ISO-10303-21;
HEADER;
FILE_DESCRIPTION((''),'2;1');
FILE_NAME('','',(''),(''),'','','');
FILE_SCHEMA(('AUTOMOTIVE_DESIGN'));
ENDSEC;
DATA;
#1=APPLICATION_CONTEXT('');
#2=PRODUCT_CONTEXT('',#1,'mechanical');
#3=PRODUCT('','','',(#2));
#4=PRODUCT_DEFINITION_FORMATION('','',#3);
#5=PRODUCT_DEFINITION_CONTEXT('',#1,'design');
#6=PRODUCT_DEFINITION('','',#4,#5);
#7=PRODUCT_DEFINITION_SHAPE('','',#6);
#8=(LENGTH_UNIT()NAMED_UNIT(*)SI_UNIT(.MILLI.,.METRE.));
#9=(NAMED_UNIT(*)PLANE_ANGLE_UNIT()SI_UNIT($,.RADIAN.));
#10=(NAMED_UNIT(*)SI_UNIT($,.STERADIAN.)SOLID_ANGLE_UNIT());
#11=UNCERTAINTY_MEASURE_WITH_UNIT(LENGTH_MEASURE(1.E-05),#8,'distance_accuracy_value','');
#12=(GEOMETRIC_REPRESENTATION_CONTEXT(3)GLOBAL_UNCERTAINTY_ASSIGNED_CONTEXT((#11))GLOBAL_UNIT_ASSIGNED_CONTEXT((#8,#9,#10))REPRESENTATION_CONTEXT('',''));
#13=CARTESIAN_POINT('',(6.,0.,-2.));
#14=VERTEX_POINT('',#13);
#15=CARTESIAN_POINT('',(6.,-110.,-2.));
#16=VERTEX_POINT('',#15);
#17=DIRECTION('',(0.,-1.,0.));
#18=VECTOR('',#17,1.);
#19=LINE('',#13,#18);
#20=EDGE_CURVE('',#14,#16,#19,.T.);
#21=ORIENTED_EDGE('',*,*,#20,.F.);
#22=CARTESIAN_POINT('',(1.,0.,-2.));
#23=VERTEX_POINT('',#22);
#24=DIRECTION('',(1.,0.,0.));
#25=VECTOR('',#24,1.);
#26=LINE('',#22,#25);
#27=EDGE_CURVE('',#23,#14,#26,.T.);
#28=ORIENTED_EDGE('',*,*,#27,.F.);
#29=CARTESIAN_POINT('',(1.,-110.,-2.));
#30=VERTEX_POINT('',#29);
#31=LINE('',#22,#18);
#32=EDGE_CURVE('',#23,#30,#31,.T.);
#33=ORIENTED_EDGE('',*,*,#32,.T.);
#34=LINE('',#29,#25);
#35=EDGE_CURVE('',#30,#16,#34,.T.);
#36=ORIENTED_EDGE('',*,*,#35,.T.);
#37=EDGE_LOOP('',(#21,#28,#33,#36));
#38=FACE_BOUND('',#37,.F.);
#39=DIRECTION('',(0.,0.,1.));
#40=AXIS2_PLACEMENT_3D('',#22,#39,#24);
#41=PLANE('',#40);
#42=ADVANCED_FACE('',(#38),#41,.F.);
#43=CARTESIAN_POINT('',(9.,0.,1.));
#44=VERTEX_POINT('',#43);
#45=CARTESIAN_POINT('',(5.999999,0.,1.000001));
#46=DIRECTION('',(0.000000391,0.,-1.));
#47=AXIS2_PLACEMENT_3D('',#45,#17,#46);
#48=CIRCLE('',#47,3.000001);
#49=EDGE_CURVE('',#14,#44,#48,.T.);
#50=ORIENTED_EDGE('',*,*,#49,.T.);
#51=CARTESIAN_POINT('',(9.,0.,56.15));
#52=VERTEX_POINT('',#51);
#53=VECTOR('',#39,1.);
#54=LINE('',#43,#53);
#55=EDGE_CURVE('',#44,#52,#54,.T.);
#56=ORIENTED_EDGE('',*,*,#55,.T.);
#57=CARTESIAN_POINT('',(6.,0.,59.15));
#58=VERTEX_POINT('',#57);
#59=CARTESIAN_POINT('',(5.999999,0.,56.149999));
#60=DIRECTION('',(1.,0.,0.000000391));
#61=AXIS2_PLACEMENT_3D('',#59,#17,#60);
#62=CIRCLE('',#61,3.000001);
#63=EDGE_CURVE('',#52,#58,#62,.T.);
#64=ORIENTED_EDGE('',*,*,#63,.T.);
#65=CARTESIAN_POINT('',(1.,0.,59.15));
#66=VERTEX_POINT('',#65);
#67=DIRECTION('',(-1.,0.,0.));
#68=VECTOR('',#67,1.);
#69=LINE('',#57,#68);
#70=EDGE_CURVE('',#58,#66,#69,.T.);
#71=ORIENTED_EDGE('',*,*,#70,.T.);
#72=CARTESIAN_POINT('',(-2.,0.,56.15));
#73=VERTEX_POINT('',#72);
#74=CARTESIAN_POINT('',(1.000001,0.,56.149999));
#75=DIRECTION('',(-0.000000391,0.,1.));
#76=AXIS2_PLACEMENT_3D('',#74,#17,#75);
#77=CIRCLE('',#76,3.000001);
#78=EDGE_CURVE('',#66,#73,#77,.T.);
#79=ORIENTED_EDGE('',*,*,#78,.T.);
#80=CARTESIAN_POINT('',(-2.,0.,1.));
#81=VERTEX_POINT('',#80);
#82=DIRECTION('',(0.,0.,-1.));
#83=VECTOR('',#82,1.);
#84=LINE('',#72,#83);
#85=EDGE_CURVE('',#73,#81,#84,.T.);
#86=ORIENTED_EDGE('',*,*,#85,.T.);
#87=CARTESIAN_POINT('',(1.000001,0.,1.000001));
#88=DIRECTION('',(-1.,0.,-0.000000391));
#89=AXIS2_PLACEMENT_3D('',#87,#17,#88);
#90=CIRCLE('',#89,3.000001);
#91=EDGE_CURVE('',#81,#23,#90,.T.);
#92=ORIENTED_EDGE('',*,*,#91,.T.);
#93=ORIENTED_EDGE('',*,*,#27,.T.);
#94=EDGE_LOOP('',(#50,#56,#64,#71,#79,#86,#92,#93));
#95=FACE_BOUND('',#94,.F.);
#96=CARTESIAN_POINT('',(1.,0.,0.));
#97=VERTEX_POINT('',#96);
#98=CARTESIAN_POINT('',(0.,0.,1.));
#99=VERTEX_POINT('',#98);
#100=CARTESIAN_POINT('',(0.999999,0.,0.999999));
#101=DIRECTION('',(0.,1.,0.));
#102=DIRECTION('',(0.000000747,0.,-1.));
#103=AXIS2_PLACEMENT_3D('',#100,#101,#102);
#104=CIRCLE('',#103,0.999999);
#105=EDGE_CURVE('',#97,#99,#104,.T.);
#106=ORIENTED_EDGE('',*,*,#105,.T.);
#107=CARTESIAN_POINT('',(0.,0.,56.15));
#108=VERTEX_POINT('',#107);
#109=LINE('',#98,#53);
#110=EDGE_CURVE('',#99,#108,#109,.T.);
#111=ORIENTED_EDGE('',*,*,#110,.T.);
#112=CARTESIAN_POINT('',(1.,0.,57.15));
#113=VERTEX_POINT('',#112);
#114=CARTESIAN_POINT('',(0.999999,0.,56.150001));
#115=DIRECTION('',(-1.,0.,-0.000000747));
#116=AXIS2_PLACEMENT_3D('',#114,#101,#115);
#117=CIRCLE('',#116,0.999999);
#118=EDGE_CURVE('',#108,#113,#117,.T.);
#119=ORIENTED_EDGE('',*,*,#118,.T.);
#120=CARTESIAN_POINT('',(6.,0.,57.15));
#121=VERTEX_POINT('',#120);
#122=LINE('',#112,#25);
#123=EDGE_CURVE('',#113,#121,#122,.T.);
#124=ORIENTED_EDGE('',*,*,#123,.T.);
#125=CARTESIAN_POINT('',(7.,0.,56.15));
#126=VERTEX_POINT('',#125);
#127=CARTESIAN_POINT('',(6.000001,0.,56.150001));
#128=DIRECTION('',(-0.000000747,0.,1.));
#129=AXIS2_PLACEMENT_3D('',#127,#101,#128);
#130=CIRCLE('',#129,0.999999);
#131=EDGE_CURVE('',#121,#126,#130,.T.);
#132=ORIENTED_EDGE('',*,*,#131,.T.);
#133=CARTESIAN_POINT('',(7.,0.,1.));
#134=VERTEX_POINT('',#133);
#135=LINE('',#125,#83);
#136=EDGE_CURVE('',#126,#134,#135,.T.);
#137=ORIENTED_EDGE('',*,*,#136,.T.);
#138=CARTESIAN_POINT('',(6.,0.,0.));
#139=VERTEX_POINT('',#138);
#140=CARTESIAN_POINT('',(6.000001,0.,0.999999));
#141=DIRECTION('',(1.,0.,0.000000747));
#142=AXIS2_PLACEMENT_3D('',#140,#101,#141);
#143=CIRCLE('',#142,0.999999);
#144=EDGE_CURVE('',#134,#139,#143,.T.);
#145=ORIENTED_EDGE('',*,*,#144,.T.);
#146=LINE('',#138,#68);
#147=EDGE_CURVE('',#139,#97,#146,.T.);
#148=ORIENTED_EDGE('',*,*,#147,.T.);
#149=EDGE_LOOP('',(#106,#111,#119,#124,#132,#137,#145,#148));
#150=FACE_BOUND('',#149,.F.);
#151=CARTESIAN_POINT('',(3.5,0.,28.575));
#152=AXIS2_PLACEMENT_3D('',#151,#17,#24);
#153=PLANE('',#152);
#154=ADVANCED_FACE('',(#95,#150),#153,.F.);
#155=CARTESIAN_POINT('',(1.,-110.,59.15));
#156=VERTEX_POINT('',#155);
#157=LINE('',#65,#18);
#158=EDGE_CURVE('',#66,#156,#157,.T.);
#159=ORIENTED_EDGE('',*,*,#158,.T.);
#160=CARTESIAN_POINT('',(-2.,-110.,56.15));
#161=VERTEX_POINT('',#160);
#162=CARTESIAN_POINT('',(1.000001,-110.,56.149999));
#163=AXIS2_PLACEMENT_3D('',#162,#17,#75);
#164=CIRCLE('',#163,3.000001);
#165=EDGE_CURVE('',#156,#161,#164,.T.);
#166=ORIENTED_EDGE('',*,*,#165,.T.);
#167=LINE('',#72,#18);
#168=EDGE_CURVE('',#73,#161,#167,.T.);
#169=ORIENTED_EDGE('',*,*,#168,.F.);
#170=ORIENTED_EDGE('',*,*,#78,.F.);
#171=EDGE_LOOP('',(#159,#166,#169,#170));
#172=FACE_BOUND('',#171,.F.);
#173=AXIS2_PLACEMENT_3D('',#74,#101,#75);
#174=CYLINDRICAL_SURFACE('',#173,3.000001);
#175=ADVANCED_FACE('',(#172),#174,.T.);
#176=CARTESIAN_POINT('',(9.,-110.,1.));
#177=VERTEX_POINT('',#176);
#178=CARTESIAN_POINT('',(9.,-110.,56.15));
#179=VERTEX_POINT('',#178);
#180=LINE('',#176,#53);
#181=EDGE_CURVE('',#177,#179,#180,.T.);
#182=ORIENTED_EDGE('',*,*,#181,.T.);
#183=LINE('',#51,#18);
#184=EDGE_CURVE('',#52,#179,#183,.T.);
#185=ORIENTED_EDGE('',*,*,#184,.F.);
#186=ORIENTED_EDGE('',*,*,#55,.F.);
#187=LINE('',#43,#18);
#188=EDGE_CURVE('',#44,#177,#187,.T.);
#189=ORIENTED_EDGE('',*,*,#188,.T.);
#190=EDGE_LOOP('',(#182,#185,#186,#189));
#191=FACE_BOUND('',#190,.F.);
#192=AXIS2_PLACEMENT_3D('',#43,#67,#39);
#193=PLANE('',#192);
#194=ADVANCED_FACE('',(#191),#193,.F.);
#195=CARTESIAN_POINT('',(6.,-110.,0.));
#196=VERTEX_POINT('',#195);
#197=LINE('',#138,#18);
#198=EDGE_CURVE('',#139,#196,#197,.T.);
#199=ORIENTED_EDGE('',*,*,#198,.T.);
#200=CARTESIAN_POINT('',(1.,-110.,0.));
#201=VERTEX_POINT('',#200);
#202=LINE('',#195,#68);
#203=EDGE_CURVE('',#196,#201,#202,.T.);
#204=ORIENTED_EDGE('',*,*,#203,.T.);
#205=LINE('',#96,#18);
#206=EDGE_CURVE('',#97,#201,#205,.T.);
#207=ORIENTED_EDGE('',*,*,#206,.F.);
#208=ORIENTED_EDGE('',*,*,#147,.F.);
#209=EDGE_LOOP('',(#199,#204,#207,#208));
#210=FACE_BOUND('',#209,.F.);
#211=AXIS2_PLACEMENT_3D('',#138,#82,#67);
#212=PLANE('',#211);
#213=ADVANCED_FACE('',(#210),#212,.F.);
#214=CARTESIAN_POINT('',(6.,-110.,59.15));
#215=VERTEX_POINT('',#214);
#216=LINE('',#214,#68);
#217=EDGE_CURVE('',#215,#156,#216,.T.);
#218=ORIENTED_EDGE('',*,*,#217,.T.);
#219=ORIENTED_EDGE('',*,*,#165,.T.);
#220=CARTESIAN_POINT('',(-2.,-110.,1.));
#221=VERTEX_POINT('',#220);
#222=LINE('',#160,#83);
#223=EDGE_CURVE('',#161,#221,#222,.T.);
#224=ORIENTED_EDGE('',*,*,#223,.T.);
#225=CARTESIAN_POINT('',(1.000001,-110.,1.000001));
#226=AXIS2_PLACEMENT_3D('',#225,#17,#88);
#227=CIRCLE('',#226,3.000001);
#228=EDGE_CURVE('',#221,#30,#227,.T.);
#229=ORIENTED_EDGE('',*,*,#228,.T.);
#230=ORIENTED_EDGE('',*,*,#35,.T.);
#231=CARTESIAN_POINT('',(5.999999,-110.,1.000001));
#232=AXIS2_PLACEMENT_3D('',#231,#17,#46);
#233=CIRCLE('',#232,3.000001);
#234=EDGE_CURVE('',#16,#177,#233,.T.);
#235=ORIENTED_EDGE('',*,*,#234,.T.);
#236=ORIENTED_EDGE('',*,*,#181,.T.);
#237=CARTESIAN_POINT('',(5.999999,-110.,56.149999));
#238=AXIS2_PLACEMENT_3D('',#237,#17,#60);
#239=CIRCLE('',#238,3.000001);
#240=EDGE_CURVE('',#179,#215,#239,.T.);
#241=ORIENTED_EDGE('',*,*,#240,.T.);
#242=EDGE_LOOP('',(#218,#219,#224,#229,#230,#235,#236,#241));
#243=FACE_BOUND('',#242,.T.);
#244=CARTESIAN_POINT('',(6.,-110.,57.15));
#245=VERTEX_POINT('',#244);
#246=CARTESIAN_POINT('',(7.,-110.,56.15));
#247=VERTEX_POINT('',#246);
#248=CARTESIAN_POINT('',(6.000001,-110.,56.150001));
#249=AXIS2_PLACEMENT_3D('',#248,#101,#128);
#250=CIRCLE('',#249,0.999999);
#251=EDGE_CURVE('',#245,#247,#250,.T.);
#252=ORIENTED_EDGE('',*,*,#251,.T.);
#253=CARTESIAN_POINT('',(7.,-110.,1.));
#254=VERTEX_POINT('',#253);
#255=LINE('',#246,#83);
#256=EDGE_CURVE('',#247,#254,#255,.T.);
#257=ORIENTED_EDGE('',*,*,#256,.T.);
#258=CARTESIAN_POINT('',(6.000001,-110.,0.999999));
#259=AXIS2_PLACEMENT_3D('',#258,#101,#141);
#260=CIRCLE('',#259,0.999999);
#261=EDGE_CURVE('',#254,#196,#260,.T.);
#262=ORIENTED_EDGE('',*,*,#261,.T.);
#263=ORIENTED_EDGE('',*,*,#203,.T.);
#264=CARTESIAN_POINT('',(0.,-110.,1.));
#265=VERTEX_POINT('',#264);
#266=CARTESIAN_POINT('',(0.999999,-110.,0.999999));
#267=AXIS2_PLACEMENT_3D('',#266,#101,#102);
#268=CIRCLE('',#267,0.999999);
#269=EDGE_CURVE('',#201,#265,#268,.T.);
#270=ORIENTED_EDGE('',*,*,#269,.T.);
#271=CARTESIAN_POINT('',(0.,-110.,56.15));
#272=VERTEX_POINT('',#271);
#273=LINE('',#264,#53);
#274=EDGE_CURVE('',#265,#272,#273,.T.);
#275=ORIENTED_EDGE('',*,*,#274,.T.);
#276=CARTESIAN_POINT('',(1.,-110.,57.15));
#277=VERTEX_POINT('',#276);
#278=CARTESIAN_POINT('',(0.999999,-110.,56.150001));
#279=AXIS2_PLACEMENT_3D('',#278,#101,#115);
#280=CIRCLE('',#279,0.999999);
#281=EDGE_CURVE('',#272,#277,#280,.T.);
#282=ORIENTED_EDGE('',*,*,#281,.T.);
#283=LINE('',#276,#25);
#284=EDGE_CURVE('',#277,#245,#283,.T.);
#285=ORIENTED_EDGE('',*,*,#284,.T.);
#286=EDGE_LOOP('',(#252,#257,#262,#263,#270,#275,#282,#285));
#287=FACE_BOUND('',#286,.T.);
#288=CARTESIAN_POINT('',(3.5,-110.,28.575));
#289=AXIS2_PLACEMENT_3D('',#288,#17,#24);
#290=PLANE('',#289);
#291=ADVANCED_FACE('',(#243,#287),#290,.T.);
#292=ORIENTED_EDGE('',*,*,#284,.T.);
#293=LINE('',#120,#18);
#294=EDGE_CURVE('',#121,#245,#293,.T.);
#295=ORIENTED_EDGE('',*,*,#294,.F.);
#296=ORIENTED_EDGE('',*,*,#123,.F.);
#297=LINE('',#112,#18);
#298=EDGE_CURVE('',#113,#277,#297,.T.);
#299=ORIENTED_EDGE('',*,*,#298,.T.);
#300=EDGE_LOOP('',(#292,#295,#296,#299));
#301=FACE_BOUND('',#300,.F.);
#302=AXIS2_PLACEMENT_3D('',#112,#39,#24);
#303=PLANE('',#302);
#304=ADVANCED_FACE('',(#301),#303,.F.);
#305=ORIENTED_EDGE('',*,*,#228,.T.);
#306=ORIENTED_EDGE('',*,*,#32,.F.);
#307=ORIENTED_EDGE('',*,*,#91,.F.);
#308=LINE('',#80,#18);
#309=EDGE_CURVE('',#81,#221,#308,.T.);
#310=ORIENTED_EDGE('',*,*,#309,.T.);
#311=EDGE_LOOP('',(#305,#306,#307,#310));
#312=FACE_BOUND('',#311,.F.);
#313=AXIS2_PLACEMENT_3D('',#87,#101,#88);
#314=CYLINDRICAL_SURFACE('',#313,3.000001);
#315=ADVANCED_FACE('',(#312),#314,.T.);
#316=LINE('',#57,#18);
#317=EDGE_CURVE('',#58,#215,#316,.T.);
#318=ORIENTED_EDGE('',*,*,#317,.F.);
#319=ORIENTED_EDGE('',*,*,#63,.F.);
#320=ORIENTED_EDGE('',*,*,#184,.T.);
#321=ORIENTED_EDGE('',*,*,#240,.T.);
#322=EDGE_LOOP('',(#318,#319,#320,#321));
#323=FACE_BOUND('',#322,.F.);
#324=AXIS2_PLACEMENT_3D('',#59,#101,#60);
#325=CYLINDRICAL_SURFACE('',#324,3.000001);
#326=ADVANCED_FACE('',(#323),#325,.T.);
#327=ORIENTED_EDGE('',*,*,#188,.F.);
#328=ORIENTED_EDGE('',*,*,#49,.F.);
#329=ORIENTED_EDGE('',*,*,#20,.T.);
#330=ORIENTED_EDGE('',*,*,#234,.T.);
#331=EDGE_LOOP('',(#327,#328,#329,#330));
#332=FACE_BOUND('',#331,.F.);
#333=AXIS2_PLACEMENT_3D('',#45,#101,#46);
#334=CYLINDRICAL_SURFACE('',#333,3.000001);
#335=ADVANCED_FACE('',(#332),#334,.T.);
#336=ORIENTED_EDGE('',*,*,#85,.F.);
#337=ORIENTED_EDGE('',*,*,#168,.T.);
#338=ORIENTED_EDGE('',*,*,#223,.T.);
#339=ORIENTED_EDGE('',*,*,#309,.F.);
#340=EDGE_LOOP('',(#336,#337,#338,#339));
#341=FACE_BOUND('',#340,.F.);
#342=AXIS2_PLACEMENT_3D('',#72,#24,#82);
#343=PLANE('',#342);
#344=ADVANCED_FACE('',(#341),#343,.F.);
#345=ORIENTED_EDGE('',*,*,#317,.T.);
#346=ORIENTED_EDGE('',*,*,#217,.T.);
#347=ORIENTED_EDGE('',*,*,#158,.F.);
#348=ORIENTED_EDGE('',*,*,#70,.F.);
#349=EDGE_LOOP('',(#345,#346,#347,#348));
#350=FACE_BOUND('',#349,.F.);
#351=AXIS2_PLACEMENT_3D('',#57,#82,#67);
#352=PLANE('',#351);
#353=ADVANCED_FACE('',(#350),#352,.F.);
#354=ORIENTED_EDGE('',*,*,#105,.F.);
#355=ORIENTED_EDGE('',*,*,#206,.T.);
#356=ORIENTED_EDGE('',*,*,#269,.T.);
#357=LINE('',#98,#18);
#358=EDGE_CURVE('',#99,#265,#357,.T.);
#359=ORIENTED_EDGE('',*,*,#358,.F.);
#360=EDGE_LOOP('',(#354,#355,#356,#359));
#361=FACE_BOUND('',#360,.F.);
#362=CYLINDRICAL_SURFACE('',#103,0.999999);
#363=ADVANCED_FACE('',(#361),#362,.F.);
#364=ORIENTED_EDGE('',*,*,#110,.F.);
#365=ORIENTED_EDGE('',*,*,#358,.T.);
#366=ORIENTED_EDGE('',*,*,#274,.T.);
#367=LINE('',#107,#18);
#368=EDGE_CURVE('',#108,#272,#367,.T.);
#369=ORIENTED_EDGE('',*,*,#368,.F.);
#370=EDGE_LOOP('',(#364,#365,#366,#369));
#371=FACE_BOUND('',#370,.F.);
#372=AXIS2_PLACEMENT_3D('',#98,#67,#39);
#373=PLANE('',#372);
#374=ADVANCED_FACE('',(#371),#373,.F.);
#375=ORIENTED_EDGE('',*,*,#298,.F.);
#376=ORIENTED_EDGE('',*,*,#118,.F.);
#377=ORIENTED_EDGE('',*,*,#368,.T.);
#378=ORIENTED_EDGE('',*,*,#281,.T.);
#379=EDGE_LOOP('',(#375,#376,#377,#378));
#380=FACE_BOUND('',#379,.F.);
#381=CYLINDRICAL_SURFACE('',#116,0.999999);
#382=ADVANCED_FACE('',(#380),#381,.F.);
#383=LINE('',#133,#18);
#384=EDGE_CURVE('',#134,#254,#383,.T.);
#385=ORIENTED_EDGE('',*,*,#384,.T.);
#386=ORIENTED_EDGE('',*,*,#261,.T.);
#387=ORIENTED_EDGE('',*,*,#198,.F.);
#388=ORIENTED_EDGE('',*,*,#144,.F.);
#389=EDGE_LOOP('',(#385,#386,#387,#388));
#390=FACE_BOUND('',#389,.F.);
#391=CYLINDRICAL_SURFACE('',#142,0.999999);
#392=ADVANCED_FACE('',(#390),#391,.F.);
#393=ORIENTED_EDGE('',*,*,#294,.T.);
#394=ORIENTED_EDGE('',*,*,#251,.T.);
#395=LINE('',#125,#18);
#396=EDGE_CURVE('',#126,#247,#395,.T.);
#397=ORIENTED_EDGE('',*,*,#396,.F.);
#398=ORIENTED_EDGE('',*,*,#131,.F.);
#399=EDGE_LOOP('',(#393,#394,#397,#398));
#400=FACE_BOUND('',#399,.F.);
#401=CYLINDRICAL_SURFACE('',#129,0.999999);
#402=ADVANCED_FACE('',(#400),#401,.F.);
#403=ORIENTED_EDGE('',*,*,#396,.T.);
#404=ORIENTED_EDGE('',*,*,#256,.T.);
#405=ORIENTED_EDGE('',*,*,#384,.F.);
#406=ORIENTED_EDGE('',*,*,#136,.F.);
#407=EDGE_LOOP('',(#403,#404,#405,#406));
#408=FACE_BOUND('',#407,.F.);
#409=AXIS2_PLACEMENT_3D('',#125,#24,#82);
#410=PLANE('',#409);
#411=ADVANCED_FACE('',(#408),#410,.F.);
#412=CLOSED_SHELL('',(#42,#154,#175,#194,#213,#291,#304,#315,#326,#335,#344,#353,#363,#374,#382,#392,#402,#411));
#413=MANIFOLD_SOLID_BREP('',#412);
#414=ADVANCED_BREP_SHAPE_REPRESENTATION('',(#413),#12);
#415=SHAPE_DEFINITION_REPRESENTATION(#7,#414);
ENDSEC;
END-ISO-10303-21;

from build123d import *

# Parameters (mm, degrees)
F1_DEPTH = 110


with BuildPart() as f1:
    # F0 (on Front) → F1 (new body)
    with BuildSketch(Plane.XZ):
        with BuildLine():
            Line((1, -2), (6, -2))
            ThreePointArc((6, -2), (8.12132, -1.12132), (9, 1))
            Line((9, 1), (9, 56.15))
            ThreePointArc((9, 56.15), (8.12132, 58.27132), (6, 59.15))
            Line((6, 59.15), (1, 59.15))
            ThreePointArc((1, 59.15), (-1.12132, 58.27132), (-2, 56.15))
            Line((-2, 56.15), (-2, 1))
            ThreePointArc((-2, 1), (-1.12132, -1.12132), (1, -2))
        make_face()
        with BuildLine():
            Line((6, 0), (1, 0))
            ThreePointArc((1, 0), (0.292893, 0.292893), (0, 1))
            Line((0, 1), (0, 56.15))
            ThreePointArc((0, 56.15), (0.292893, 56.857107), (1, 57.15))
            Line((1, 57.15), (6, 57.15))
            ThreePointArc((6, 57.15), (6.707107, 56.857107), (7, 56.15))
            Line((7, 56.15), (7, 1))
            ThreePointArc((7, 1), (6.707107, 0.292893), (6, 0))
        make_face(mode=Mode.SUBTRACT)
    extrude(amount=F1_DEPTH)


solid = f1.part
